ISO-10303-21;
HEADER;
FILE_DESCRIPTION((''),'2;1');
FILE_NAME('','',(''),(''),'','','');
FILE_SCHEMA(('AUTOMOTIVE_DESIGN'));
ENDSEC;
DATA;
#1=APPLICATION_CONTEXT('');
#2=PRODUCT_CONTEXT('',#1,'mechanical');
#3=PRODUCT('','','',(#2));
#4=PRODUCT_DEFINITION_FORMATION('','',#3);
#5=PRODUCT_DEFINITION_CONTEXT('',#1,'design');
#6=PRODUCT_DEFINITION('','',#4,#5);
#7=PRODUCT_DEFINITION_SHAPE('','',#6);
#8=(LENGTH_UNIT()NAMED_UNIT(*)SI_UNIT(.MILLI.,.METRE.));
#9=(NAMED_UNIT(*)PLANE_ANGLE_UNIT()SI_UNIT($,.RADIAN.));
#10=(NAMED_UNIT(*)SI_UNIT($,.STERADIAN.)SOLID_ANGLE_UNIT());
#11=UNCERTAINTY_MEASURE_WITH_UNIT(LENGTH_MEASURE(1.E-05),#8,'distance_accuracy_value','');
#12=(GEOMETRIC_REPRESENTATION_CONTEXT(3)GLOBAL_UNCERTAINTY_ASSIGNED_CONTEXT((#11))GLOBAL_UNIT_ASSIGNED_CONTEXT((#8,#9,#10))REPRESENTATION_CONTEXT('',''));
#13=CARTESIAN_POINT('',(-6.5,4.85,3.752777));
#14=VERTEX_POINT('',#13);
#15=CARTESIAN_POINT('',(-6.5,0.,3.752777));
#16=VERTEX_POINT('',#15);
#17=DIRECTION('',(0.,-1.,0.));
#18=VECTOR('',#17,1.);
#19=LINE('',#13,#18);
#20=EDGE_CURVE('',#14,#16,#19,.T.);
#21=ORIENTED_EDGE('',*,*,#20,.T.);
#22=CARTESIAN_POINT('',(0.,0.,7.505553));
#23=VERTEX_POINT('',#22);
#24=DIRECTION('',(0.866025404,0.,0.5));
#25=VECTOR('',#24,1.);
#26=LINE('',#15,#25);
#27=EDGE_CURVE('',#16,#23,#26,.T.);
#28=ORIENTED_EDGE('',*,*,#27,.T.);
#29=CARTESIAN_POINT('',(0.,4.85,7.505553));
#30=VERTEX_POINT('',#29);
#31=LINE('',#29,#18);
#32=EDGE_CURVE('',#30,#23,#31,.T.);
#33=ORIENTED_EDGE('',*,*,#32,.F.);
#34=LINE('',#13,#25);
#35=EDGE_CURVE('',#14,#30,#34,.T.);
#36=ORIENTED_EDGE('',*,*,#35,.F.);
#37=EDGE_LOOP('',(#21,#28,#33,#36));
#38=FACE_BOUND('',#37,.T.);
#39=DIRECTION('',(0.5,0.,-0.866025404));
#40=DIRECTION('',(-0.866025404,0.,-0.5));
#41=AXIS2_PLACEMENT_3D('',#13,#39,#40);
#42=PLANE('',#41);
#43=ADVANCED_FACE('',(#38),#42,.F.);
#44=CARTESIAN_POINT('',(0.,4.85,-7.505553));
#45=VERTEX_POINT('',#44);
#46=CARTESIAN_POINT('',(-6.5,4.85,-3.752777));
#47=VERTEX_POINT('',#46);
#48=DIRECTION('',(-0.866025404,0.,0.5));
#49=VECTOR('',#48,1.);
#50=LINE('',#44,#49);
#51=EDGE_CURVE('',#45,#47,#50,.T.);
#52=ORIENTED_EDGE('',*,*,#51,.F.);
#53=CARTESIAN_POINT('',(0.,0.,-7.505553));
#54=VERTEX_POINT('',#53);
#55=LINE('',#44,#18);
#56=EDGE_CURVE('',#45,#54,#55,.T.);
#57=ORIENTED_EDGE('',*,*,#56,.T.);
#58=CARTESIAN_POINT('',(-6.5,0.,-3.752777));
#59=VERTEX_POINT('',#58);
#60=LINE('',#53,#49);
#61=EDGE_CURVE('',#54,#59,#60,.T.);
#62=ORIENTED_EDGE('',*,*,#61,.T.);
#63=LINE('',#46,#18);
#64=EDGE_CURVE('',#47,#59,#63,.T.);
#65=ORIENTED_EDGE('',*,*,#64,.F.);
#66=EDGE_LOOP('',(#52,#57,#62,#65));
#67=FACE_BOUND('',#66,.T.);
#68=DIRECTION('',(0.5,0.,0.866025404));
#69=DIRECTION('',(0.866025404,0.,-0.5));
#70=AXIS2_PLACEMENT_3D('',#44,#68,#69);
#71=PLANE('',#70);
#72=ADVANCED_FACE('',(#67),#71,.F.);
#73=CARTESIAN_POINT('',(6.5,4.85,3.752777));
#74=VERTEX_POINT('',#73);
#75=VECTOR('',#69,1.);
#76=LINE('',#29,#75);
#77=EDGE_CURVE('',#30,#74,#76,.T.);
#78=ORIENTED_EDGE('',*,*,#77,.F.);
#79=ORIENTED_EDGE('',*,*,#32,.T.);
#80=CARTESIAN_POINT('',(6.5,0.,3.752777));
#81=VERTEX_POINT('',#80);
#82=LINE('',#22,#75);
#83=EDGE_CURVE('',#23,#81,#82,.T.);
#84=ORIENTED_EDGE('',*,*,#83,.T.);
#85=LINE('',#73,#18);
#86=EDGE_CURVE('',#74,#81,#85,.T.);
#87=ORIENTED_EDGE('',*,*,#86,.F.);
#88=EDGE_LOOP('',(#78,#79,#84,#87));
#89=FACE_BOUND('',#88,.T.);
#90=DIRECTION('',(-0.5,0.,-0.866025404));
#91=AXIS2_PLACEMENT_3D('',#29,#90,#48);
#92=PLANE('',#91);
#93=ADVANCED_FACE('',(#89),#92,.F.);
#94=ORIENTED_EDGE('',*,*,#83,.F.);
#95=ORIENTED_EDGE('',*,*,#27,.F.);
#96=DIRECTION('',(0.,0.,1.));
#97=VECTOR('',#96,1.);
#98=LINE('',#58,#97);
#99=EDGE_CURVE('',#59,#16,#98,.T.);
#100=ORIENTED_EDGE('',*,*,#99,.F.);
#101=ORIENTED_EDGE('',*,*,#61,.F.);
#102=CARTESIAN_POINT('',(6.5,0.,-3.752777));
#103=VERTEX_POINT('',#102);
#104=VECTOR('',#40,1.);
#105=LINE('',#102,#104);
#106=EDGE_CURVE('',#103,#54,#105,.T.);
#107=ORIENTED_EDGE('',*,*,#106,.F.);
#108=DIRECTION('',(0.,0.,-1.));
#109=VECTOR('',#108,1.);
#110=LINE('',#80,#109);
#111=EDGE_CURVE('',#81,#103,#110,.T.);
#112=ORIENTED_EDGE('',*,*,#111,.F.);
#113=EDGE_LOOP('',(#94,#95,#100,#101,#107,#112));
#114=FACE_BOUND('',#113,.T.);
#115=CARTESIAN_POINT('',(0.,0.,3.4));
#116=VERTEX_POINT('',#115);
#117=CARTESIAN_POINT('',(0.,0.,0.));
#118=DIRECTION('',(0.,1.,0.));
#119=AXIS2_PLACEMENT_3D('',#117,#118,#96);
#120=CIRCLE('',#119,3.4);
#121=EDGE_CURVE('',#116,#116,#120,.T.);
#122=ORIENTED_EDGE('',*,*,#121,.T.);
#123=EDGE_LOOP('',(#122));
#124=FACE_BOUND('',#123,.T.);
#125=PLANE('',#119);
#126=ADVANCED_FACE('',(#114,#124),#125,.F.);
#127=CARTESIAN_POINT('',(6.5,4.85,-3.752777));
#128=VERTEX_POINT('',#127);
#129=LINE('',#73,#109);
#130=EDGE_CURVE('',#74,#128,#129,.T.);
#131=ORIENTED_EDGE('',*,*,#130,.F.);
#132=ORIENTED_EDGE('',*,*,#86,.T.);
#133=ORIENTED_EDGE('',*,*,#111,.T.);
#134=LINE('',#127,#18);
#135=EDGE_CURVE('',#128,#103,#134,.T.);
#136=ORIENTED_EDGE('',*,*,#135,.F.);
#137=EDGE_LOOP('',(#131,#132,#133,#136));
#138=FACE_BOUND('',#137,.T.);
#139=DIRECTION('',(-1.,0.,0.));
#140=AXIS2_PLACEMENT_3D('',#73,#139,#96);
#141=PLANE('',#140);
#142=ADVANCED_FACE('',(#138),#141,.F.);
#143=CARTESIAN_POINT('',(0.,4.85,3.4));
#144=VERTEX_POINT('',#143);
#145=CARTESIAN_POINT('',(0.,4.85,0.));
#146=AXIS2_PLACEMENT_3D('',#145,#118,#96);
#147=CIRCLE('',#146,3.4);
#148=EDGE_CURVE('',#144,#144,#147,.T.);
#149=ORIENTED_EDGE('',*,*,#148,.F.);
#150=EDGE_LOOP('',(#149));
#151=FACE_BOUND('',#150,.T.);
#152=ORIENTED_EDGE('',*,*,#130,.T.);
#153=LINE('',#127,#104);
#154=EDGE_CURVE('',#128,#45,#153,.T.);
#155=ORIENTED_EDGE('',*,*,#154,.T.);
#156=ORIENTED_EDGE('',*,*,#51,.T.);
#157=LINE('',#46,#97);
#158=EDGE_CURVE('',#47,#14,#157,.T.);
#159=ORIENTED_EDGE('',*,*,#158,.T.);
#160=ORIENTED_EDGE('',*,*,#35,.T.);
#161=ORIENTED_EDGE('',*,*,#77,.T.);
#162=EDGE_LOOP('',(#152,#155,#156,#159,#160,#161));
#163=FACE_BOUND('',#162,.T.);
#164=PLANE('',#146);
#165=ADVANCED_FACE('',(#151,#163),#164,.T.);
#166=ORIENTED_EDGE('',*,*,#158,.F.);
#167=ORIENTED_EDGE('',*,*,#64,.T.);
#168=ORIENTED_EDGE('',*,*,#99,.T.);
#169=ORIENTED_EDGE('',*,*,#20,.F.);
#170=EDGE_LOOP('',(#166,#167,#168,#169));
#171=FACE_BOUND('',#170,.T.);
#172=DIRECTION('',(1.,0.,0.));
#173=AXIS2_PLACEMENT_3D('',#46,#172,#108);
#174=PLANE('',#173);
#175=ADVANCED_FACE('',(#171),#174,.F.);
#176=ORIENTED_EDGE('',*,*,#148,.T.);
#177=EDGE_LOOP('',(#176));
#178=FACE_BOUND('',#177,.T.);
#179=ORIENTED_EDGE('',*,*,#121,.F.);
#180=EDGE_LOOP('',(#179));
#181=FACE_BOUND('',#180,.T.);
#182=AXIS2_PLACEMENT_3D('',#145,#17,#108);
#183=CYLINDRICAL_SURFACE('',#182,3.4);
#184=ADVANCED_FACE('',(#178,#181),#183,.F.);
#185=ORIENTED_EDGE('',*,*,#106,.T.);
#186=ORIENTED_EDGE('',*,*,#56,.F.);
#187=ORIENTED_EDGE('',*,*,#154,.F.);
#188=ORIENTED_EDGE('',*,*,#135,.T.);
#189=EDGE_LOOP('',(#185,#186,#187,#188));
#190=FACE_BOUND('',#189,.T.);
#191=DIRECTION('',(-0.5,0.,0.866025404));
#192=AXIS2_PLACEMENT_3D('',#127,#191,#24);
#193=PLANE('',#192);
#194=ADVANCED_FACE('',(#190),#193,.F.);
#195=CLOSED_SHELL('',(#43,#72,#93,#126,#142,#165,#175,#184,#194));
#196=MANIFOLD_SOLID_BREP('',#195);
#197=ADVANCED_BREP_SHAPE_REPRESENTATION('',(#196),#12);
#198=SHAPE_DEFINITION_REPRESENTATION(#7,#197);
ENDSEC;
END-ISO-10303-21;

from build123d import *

# Parameters (mm, degrees)
CROQUIS1_R              = 3.4
SALIENTE_EXTRUIR1_DEPTH = 4.85


with BuildPart() as part:
    # Croquis1 → Saliente-Extruir1 (new body)
    with BuildSketch(Plane(origin=(0, 0, 0), x_dir=(1, 0, 0), z_dir=(0, 1, 0))):
        Polygon((0, -7.505553499), (6.5, -3.75277675), (6.5, 3.75277675), (0, 7.505553499), (-6.5, 3.75277675), (-6.5, -3.75277675), align=None)
        with Locations(Location((0, 0, 0), (0, 0, 270))):
            Circle(CROQUIS1_R, mode=Mode.SUBTRACT)
    extrude(amount=SALIENTE_EXTRUIR1_DEPTH)


solid = part.part
